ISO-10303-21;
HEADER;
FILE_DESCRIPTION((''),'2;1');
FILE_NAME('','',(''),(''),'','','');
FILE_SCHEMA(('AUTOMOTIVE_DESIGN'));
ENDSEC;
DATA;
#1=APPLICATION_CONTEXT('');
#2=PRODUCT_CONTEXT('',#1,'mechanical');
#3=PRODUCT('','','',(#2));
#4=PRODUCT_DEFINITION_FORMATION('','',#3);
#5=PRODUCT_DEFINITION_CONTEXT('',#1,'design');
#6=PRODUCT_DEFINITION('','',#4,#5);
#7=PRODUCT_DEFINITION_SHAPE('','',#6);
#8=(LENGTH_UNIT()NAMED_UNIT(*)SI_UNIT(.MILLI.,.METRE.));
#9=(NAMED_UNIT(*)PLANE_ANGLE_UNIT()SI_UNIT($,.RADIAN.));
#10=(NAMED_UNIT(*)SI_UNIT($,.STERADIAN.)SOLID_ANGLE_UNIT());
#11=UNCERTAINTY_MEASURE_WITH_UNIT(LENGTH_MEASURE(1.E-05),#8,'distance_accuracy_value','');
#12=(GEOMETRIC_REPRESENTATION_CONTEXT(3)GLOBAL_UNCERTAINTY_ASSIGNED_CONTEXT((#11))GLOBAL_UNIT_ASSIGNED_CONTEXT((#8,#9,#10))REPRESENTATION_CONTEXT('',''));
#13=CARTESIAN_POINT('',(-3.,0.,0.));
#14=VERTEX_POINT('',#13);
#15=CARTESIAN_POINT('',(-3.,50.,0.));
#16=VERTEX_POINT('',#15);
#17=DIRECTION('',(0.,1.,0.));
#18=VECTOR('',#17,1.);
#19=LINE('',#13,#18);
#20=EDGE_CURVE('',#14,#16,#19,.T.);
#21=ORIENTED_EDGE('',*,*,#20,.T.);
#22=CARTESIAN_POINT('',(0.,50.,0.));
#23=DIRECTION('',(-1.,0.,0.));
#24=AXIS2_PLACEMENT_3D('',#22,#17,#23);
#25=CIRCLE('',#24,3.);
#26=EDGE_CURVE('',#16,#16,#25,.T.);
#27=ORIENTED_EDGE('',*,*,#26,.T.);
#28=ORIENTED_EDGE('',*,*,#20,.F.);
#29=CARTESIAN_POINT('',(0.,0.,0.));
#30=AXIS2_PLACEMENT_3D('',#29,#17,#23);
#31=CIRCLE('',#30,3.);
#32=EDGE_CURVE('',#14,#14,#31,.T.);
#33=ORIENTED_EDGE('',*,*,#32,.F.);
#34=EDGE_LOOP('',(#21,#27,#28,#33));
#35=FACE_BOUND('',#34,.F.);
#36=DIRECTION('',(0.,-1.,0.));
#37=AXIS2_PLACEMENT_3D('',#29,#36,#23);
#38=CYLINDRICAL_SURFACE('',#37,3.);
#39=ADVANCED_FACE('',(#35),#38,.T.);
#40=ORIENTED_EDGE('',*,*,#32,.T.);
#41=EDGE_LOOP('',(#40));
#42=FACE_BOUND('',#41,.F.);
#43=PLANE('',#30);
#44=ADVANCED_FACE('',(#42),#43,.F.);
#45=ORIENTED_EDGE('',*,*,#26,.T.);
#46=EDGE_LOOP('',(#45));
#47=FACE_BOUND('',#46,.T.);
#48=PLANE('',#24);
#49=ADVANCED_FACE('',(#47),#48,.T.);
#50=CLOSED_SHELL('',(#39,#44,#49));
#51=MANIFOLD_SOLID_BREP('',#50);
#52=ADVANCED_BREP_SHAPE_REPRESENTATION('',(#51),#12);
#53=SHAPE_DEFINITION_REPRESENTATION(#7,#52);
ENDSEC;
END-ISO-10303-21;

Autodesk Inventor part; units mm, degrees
ref_plane "YZ Plane" through (0, 0, 0) normal (1, 0, 0) x (0, 1, 0)
ref_plane "XZ Plane" through (0, 0, 0) normal (0, 1, 0) x (-1, 0, 0)
ref_plane "XY Plane" through (0, 0, 0) normal (0, 0, 1) x (1, 0, 0)
sketch "Skizze1" plane through (0, 0, 0) normal (0, 1, 0) x (-1, 0, 0)
  circle A0 centre (0, 0) radius 3
  dimension "d0" = 6
extrude "Extrusion1" add sketch "Skizze1" along normal blind 50
properties part number "00_rod_6mm"
